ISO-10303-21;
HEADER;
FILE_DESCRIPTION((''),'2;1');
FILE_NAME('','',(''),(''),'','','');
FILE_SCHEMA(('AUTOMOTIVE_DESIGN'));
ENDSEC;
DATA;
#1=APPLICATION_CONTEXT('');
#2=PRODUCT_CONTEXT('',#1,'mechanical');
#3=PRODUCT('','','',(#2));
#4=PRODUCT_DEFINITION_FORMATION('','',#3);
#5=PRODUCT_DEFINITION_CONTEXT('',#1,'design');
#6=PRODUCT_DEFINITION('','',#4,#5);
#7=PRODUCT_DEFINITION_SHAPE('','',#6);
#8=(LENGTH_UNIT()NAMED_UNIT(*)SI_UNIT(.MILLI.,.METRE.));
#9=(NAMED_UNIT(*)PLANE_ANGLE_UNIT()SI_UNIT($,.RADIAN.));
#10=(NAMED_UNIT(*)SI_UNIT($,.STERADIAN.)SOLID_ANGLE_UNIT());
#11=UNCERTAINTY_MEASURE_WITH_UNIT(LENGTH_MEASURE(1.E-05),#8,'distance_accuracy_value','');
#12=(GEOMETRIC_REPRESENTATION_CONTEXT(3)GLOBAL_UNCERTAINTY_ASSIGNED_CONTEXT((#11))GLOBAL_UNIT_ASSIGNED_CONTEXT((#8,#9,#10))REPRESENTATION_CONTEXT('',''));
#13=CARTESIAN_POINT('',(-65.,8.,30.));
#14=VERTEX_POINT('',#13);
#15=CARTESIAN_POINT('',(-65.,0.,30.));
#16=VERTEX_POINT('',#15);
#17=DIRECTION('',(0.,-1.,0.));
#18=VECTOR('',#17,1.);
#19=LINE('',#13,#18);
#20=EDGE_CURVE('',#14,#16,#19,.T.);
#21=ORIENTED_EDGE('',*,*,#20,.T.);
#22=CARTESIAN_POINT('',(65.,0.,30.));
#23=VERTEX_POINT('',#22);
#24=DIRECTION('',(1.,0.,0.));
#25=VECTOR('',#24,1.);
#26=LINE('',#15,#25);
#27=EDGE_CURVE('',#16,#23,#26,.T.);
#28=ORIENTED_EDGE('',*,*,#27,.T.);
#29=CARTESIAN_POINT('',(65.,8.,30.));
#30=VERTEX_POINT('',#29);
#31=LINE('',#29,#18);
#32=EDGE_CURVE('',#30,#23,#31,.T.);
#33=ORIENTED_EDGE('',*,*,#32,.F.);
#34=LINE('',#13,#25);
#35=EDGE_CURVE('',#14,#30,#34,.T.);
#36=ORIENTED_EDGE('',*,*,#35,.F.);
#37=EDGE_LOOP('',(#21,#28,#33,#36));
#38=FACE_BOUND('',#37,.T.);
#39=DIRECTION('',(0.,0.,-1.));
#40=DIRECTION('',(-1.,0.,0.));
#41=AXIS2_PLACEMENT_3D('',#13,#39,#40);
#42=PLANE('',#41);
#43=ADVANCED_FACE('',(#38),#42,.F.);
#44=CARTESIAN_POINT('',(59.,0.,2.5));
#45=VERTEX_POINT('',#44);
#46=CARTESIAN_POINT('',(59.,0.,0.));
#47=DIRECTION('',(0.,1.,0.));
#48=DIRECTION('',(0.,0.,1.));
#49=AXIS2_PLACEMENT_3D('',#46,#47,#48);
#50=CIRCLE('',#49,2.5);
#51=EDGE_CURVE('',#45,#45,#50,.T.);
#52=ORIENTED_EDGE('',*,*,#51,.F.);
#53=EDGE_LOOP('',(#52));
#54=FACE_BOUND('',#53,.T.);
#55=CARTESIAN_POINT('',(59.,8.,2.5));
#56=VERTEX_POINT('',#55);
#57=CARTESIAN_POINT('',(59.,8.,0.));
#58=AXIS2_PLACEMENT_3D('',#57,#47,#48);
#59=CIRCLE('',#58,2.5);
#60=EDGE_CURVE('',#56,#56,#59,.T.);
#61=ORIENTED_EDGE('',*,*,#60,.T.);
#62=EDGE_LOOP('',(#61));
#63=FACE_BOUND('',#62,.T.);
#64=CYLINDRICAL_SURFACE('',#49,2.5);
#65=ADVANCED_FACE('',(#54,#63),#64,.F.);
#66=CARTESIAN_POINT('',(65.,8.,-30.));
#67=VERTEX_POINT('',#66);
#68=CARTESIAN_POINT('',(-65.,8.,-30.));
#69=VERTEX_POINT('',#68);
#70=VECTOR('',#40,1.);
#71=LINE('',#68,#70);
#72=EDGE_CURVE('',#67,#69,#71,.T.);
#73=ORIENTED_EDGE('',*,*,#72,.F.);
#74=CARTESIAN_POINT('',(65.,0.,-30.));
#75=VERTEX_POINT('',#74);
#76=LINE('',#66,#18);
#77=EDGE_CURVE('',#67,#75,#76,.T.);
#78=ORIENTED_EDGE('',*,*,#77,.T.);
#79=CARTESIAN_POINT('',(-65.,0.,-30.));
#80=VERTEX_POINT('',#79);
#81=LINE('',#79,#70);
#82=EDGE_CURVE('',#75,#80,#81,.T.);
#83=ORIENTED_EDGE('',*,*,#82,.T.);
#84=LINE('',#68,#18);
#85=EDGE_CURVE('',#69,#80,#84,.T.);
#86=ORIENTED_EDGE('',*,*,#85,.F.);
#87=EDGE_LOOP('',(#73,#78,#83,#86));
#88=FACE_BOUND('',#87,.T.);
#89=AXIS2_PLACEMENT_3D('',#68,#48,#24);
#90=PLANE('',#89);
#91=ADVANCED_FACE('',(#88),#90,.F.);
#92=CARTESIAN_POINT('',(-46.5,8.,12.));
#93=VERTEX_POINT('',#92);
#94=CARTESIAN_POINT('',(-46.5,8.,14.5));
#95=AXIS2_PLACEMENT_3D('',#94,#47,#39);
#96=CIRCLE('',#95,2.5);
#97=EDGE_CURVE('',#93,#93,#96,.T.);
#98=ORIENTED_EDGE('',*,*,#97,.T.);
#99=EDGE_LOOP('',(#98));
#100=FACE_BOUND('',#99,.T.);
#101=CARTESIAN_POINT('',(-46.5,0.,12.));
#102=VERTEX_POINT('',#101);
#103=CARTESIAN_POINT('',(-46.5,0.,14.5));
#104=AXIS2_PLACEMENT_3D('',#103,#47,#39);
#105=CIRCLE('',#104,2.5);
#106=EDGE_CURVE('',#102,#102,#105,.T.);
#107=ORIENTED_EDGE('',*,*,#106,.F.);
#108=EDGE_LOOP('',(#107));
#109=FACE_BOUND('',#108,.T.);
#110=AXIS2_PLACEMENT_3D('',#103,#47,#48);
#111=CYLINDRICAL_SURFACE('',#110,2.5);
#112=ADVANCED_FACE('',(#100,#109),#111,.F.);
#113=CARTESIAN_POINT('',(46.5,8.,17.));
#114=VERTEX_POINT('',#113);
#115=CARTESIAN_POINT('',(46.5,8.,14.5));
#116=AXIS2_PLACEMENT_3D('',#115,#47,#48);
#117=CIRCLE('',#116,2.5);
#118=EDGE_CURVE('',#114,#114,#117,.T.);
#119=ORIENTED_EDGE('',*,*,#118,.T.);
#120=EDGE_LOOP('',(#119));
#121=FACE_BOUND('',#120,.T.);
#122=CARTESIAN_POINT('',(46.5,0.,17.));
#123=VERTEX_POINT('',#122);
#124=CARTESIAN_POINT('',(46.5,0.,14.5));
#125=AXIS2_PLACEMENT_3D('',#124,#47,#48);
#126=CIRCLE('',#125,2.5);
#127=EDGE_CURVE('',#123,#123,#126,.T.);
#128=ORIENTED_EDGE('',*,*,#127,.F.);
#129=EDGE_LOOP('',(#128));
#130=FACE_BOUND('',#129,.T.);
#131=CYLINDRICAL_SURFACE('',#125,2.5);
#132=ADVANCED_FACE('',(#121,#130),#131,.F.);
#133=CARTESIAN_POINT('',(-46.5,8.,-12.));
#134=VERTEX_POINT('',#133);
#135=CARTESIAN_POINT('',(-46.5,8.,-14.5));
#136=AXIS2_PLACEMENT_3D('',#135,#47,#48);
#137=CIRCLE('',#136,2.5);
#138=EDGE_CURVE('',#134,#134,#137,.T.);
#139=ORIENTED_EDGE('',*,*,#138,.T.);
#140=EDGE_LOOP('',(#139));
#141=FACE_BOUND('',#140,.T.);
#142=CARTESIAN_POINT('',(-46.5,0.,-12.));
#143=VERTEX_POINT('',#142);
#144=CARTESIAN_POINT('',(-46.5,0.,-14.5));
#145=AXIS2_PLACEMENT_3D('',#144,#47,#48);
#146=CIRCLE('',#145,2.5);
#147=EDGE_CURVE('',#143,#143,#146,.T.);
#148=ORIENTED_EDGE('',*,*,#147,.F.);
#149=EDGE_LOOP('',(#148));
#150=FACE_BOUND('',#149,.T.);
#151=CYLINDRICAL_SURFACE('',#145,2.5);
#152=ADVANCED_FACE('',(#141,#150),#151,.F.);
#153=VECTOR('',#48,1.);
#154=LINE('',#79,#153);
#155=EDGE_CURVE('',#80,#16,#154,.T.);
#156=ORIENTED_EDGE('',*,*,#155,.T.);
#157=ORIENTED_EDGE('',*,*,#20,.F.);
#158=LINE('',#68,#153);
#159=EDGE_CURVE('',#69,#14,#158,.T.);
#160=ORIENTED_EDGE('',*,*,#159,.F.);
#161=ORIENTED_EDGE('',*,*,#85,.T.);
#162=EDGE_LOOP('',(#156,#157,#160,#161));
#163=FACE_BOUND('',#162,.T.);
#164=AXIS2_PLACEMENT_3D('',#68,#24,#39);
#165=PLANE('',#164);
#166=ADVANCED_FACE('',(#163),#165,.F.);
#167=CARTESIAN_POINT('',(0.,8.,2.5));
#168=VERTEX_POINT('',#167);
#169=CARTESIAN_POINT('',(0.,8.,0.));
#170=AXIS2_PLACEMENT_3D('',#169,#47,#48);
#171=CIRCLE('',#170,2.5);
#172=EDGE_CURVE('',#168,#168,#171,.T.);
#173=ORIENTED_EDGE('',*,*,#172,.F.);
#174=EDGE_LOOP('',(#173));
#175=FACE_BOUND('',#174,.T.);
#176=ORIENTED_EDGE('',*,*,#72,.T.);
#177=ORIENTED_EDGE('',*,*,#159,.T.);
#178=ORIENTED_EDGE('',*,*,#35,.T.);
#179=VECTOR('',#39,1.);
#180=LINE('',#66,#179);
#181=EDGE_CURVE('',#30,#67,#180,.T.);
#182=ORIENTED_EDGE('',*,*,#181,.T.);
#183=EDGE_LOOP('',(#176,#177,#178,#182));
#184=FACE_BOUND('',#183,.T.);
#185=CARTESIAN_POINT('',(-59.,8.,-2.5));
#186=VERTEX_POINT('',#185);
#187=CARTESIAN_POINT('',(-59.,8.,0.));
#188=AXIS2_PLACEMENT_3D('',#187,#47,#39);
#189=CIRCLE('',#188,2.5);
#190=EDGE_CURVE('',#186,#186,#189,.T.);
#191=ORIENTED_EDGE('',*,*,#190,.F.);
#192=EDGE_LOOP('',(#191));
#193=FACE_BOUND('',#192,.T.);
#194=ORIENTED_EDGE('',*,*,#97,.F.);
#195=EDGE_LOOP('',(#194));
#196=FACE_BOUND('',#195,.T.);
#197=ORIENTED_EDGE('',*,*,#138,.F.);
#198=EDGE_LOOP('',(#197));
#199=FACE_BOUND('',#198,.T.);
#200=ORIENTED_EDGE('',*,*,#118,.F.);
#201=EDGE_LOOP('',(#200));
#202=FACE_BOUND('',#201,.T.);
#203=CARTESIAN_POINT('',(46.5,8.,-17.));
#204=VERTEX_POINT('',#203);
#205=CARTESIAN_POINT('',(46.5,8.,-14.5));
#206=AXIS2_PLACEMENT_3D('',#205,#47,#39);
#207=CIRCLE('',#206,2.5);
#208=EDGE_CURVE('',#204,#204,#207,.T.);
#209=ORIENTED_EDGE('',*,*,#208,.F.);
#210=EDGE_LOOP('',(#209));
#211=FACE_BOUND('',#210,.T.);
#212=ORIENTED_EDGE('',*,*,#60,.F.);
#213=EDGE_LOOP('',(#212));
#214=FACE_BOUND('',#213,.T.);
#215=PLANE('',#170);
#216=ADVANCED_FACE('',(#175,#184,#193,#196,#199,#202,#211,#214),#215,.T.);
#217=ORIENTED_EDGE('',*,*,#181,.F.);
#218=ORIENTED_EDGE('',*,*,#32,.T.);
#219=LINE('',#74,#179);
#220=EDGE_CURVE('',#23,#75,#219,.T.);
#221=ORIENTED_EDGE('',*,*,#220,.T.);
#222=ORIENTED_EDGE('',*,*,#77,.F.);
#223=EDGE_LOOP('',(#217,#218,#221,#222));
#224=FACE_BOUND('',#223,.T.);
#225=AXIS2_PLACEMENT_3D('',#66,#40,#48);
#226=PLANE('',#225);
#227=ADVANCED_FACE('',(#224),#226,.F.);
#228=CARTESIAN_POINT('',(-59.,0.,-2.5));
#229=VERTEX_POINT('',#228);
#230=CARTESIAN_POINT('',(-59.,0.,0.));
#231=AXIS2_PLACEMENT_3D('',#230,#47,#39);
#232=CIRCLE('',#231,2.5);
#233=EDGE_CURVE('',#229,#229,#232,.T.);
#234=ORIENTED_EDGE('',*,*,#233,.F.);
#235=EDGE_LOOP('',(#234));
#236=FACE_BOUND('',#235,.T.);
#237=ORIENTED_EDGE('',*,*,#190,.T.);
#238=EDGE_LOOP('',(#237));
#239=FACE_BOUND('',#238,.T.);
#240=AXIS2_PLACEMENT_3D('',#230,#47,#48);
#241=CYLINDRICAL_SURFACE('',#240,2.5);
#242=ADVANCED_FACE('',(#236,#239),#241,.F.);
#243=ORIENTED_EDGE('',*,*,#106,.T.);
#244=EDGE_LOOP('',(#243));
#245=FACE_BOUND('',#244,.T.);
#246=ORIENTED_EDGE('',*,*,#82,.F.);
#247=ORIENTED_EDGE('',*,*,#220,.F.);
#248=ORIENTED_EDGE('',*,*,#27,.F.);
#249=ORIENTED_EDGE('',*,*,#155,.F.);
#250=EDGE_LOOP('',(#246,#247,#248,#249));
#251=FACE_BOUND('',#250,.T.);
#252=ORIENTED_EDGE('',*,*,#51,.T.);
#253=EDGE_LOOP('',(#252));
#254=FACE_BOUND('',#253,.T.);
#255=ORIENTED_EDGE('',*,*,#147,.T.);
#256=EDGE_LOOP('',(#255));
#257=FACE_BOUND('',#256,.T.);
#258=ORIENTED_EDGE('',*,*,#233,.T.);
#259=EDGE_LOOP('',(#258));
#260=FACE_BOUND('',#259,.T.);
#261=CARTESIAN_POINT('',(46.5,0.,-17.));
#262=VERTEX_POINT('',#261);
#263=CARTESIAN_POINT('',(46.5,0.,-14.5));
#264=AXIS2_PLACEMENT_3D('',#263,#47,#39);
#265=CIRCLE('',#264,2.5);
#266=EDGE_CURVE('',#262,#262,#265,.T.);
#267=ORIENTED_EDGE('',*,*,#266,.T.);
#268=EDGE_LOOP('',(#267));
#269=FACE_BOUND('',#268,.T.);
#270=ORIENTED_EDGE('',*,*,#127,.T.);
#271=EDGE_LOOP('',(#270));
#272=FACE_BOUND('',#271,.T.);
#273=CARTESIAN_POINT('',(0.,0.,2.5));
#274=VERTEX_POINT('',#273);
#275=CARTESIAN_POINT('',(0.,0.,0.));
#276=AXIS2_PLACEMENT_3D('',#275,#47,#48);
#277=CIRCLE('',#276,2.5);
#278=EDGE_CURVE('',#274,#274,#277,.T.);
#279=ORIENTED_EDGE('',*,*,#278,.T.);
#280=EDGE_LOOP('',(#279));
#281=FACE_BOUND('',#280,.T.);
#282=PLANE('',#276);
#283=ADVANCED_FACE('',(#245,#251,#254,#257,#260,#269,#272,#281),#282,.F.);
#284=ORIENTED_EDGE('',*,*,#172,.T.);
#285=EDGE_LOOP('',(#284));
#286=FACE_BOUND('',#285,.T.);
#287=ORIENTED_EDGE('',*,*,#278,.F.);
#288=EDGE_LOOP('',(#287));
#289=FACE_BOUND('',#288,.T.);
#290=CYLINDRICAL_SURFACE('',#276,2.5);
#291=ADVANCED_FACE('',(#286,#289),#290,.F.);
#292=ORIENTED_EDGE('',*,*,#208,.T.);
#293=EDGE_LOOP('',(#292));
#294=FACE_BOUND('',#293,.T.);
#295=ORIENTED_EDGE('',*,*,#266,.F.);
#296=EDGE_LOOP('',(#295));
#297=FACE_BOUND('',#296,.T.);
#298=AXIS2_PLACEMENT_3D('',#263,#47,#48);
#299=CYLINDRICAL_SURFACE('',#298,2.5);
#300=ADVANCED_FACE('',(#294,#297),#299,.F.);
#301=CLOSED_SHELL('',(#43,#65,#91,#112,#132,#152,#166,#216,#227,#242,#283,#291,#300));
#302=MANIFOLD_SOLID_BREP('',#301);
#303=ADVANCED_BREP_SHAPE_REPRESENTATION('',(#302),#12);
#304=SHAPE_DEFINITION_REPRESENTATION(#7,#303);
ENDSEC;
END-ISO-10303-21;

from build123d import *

# Parameters (mm, degrees)
SKETCH_1_W          = 130
SKETCH_1_H          = 60
EXTRUDE_1_DEPTH     = 8
SKETCH_2_R          = 2.5
CUT_EXTRUDE_1_DEPTH = 9


with BuildPart() as part:
    # ｽｹｯﾁ1 → ﾎﾞｽ - 押し出し1 (new body)
    with BuildSketch(Plane(origin=(0, 0, 0), x_dir=(1, 0, 0), z_dir=(0, 1, 0))):
        Rectangle(SKETCH_1_W, SKETCH_1_H)
    extrude(amount=EXTRUDE_1_DEPTH)

    # ｽｹｯﾁ2 → ｶｯﾄ - 押し出し1 (cut, through all)
    with BuildSketch(Plane(origin=(0, 8, 0), x_dir=(1, 0, 0), z_dir=(0, 1, 0))):
        Circle(SKETCH_2_R)
        with Locations((59, 0)):
            Circle(SKETCH_2_R)
        with Locations((46.5, -14.5)):
            Circle(SKETCH_2_R)
        with Locations((46.5, 14.5)):
            Circle(SKETCH_2_R)
        with Locations((-46.5, -14.5)):
            Circle(SKETCH_2_R)
        with Locations((-59, 0)):
            Circle(SKETCH_2_R)
        with Locations((-46.5, 14.5)):
            Circle(SKETCH_2_R)
    extrude(amount=-CUT_EXTRUDE_1_DEPTH, mode=Mode.SUBTRACT)


solid = part.part
